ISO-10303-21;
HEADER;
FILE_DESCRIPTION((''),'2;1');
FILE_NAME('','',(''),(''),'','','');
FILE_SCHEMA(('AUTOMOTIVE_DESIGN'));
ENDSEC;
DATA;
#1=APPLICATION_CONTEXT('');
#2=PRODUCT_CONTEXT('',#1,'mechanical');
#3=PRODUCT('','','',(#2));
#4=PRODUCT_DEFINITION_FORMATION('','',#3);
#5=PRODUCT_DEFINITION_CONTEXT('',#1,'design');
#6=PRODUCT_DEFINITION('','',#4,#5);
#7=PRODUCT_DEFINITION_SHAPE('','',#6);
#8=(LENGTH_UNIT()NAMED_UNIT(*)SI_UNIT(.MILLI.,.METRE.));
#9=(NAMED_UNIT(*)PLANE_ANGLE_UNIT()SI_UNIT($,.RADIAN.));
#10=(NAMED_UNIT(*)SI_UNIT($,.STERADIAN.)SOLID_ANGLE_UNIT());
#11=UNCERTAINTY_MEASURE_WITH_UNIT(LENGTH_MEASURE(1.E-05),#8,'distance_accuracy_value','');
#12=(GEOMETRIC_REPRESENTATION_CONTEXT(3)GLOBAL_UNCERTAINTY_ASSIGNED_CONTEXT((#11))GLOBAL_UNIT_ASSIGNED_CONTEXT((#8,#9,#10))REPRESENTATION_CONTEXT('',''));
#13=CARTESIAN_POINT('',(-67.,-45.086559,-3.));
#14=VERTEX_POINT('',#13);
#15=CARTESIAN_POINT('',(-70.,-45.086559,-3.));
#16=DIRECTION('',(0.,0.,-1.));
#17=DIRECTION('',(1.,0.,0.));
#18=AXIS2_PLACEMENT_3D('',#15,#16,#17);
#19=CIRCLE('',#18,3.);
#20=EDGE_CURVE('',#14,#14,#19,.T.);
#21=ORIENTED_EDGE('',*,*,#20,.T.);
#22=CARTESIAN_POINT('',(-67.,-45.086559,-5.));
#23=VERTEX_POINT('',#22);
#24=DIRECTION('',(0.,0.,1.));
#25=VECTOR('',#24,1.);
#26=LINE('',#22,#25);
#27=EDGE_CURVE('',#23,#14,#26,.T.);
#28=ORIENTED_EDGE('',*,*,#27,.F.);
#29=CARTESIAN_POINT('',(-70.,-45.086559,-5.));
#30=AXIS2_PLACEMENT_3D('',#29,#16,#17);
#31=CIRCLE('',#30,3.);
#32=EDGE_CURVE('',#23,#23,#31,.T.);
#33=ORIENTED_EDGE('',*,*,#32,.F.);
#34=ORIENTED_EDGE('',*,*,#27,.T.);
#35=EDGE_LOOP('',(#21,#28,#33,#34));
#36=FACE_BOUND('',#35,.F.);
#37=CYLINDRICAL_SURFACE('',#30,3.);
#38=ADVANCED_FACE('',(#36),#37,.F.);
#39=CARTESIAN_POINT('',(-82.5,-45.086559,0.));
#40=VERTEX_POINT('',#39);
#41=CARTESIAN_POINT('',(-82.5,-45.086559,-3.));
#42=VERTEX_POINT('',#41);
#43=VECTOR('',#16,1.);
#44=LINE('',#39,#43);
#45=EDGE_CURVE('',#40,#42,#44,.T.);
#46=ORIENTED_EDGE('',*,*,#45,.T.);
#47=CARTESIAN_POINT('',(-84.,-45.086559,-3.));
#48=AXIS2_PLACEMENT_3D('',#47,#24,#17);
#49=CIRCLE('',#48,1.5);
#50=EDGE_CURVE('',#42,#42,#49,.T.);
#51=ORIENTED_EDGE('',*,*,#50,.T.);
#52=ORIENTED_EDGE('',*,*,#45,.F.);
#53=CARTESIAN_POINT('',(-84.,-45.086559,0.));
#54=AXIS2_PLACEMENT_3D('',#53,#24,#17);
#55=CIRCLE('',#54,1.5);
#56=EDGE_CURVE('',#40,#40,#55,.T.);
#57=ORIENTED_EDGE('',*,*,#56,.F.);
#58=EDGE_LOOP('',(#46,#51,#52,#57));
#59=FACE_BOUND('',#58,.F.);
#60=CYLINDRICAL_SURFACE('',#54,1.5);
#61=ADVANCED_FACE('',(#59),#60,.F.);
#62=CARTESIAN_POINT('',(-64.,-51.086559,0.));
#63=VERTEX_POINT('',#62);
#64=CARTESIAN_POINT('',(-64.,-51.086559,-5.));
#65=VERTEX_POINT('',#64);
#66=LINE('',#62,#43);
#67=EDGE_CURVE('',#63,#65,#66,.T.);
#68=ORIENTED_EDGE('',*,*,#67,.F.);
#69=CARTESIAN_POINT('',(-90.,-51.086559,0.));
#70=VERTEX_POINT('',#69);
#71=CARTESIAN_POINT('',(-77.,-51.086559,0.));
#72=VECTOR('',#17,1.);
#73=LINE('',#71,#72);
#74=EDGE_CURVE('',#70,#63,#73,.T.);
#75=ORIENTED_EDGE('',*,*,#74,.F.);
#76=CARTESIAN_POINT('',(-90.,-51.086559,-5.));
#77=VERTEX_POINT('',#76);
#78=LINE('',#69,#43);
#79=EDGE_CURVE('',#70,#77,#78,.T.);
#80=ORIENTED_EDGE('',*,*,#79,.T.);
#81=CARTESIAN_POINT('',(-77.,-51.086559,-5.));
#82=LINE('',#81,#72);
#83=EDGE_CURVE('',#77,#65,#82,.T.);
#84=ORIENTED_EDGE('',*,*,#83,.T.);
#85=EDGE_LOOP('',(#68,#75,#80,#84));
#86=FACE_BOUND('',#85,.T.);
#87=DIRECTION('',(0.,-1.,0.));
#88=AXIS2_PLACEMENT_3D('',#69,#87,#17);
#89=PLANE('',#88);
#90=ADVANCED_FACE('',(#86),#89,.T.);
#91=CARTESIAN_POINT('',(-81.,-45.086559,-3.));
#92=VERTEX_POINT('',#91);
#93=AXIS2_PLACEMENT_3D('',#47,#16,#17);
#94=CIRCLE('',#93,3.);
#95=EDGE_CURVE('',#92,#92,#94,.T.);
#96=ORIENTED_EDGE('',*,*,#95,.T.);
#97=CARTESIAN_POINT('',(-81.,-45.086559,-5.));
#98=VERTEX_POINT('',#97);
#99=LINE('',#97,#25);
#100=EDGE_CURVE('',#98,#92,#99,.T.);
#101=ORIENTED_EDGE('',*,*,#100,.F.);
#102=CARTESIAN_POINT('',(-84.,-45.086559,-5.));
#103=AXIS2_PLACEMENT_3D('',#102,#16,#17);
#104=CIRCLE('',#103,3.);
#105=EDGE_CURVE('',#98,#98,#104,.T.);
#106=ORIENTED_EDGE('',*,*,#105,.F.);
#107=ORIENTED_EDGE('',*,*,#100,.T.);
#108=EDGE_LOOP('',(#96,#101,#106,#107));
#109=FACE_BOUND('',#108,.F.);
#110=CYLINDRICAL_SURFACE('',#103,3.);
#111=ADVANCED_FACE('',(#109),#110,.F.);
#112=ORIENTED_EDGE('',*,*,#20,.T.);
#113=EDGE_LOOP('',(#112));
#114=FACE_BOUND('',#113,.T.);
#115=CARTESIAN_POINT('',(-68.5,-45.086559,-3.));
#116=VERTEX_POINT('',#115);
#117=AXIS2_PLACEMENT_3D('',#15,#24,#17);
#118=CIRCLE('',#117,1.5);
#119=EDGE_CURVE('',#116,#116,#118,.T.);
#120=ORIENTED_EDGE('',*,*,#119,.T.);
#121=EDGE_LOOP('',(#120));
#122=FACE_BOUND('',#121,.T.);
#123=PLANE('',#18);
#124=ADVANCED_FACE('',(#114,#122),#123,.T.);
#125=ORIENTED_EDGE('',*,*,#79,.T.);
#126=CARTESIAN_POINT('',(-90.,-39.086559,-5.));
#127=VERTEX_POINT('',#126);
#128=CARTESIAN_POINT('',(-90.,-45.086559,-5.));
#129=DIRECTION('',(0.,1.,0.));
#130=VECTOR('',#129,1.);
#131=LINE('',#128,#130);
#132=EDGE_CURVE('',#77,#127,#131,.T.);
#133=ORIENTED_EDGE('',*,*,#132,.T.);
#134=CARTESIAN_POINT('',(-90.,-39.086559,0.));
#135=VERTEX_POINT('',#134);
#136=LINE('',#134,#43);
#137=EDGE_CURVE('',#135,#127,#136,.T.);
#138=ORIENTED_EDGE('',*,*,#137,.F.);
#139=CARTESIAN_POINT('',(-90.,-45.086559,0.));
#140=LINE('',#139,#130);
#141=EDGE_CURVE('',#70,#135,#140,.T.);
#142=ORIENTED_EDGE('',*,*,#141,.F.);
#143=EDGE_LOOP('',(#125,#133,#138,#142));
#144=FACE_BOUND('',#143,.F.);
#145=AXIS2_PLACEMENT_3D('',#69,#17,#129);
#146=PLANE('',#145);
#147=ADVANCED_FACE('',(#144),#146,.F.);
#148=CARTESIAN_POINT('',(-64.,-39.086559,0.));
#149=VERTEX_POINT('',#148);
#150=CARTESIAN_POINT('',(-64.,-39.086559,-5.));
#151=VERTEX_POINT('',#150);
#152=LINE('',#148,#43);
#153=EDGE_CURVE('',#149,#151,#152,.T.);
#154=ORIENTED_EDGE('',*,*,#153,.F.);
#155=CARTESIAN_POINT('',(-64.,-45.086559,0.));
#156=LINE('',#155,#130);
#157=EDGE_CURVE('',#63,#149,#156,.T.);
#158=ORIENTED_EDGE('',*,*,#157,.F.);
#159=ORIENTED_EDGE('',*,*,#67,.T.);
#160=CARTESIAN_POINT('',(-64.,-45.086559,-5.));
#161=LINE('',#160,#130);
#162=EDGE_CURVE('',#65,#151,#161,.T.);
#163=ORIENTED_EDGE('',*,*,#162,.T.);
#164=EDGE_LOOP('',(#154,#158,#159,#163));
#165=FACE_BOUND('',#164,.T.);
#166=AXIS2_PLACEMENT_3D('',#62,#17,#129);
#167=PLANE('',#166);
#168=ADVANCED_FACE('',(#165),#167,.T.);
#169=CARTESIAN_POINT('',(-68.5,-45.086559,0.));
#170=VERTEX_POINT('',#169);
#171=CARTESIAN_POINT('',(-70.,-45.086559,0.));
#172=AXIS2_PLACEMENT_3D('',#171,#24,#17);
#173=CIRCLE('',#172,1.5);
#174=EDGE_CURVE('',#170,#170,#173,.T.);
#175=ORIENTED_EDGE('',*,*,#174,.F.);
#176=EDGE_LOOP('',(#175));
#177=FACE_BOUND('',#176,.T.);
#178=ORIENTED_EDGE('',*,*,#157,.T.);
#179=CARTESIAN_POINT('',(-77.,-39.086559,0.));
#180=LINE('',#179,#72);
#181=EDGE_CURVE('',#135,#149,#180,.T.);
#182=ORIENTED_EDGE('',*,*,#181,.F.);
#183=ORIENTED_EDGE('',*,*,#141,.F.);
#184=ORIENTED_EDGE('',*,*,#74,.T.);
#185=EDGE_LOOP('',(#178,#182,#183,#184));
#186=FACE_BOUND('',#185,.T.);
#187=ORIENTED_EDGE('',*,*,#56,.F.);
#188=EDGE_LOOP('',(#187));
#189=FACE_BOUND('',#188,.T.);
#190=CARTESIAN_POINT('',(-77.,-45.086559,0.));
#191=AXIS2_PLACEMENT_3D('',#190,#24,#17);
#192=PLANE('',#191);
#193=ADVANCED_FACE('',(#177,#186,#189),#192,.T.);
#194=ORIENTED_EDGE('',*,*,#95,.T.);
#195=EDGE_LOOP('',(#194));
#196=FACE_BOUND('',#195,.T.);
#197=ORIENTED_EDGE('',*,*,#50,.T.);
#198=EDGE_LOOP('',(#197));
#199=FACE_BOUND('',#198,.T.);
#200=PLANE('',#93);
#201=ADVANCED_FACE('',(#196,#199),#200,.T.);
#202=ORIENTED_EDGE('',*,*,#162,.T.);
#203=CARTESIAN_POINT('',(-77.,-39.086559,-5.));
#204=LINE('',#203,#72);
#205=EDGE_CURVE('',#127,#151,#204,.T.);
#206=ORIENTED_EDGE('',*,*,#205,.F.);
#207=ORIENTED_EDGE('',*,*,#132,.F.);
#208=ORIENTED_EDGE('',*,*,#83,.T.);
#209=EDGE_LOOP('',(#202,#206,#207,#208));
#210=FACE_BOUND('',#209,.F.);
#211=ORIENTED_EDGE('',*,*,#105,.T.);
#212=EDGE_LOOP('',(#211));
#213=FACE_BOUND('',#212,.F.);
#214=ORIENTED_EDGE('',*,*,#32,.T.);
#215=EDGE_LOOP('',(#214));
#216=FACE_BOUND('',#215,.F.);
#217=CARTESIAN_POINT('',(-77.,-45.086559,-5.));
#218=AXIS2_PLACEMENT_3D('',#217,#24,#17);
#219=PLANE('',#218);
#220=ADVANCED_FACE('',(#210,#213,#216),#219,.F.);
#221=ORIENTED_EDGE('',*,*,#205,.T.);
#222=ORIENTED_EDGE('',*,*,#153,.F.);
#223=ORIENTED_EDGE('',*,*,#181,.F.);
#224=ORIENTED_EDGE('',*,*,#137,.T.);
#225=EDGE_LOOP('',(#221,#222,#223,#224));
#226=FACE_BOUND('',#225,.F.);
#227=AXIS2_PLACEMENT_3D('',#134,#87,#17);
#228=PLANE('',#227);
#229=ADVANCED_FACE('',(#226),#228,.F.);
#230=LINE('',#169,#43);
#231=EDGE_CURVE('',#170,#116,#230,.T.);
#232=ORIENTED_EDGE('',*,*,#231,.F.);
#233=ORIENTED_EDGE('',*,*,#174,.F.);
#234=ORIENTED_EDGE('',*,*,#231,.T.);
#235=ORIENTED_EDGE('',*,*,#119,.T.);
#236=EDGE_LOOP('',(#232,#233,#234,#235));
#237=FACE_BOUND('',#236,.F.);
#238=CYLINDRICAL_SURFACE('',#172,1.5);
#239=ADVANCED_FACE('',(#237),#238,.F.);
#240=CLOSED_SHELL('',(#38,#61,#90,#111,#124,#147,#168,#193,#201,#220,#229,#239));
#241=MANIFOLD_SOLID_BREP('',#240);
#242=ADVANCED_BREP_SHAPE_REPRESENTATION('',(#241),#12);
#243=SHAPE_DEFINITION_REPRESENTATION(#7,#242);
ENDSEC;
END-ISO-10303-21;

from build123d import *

# Parameters (mm, degrees)
F0_W     = 26
F0_H     = 12
F0_R     = 1.5
F1_DEPTH = 5
F2_R     = 3
F3_DEPTH = 2


with BuildPart() as f1:
    # F0 (on Top) → F1 (new body)
    with BuildSketch(Plane.XY):
        with Locations((-77, -45.086559)):
            Rectangle(F0_W, F0_H)
        with Locations((-84, -45.086559)):
            Circle(F0_R, mode=Mode.SUBTRACT)
        with Locations((-70, -45.086559)):
            Circle(F0_R, mode=Mode.SUBTRACT)
    extrude(amount=-F1_DEPTH)

    # F2 (on face) → F3 (cut)
    with BuildSketch(Plane(origin=(0, 0, -5), x_dir=(1, 0, 0), z_dir=(0, 0, -1))):
        with Locations((-84, 45.086559)):
            Circle(F2_R)
        with Locations((-70, 45.086559)):
            Circle(F2_R)
    extrude(amount=-F3_DEPTH, mode=Mode.SUBTRACT)


solid = f1.part
